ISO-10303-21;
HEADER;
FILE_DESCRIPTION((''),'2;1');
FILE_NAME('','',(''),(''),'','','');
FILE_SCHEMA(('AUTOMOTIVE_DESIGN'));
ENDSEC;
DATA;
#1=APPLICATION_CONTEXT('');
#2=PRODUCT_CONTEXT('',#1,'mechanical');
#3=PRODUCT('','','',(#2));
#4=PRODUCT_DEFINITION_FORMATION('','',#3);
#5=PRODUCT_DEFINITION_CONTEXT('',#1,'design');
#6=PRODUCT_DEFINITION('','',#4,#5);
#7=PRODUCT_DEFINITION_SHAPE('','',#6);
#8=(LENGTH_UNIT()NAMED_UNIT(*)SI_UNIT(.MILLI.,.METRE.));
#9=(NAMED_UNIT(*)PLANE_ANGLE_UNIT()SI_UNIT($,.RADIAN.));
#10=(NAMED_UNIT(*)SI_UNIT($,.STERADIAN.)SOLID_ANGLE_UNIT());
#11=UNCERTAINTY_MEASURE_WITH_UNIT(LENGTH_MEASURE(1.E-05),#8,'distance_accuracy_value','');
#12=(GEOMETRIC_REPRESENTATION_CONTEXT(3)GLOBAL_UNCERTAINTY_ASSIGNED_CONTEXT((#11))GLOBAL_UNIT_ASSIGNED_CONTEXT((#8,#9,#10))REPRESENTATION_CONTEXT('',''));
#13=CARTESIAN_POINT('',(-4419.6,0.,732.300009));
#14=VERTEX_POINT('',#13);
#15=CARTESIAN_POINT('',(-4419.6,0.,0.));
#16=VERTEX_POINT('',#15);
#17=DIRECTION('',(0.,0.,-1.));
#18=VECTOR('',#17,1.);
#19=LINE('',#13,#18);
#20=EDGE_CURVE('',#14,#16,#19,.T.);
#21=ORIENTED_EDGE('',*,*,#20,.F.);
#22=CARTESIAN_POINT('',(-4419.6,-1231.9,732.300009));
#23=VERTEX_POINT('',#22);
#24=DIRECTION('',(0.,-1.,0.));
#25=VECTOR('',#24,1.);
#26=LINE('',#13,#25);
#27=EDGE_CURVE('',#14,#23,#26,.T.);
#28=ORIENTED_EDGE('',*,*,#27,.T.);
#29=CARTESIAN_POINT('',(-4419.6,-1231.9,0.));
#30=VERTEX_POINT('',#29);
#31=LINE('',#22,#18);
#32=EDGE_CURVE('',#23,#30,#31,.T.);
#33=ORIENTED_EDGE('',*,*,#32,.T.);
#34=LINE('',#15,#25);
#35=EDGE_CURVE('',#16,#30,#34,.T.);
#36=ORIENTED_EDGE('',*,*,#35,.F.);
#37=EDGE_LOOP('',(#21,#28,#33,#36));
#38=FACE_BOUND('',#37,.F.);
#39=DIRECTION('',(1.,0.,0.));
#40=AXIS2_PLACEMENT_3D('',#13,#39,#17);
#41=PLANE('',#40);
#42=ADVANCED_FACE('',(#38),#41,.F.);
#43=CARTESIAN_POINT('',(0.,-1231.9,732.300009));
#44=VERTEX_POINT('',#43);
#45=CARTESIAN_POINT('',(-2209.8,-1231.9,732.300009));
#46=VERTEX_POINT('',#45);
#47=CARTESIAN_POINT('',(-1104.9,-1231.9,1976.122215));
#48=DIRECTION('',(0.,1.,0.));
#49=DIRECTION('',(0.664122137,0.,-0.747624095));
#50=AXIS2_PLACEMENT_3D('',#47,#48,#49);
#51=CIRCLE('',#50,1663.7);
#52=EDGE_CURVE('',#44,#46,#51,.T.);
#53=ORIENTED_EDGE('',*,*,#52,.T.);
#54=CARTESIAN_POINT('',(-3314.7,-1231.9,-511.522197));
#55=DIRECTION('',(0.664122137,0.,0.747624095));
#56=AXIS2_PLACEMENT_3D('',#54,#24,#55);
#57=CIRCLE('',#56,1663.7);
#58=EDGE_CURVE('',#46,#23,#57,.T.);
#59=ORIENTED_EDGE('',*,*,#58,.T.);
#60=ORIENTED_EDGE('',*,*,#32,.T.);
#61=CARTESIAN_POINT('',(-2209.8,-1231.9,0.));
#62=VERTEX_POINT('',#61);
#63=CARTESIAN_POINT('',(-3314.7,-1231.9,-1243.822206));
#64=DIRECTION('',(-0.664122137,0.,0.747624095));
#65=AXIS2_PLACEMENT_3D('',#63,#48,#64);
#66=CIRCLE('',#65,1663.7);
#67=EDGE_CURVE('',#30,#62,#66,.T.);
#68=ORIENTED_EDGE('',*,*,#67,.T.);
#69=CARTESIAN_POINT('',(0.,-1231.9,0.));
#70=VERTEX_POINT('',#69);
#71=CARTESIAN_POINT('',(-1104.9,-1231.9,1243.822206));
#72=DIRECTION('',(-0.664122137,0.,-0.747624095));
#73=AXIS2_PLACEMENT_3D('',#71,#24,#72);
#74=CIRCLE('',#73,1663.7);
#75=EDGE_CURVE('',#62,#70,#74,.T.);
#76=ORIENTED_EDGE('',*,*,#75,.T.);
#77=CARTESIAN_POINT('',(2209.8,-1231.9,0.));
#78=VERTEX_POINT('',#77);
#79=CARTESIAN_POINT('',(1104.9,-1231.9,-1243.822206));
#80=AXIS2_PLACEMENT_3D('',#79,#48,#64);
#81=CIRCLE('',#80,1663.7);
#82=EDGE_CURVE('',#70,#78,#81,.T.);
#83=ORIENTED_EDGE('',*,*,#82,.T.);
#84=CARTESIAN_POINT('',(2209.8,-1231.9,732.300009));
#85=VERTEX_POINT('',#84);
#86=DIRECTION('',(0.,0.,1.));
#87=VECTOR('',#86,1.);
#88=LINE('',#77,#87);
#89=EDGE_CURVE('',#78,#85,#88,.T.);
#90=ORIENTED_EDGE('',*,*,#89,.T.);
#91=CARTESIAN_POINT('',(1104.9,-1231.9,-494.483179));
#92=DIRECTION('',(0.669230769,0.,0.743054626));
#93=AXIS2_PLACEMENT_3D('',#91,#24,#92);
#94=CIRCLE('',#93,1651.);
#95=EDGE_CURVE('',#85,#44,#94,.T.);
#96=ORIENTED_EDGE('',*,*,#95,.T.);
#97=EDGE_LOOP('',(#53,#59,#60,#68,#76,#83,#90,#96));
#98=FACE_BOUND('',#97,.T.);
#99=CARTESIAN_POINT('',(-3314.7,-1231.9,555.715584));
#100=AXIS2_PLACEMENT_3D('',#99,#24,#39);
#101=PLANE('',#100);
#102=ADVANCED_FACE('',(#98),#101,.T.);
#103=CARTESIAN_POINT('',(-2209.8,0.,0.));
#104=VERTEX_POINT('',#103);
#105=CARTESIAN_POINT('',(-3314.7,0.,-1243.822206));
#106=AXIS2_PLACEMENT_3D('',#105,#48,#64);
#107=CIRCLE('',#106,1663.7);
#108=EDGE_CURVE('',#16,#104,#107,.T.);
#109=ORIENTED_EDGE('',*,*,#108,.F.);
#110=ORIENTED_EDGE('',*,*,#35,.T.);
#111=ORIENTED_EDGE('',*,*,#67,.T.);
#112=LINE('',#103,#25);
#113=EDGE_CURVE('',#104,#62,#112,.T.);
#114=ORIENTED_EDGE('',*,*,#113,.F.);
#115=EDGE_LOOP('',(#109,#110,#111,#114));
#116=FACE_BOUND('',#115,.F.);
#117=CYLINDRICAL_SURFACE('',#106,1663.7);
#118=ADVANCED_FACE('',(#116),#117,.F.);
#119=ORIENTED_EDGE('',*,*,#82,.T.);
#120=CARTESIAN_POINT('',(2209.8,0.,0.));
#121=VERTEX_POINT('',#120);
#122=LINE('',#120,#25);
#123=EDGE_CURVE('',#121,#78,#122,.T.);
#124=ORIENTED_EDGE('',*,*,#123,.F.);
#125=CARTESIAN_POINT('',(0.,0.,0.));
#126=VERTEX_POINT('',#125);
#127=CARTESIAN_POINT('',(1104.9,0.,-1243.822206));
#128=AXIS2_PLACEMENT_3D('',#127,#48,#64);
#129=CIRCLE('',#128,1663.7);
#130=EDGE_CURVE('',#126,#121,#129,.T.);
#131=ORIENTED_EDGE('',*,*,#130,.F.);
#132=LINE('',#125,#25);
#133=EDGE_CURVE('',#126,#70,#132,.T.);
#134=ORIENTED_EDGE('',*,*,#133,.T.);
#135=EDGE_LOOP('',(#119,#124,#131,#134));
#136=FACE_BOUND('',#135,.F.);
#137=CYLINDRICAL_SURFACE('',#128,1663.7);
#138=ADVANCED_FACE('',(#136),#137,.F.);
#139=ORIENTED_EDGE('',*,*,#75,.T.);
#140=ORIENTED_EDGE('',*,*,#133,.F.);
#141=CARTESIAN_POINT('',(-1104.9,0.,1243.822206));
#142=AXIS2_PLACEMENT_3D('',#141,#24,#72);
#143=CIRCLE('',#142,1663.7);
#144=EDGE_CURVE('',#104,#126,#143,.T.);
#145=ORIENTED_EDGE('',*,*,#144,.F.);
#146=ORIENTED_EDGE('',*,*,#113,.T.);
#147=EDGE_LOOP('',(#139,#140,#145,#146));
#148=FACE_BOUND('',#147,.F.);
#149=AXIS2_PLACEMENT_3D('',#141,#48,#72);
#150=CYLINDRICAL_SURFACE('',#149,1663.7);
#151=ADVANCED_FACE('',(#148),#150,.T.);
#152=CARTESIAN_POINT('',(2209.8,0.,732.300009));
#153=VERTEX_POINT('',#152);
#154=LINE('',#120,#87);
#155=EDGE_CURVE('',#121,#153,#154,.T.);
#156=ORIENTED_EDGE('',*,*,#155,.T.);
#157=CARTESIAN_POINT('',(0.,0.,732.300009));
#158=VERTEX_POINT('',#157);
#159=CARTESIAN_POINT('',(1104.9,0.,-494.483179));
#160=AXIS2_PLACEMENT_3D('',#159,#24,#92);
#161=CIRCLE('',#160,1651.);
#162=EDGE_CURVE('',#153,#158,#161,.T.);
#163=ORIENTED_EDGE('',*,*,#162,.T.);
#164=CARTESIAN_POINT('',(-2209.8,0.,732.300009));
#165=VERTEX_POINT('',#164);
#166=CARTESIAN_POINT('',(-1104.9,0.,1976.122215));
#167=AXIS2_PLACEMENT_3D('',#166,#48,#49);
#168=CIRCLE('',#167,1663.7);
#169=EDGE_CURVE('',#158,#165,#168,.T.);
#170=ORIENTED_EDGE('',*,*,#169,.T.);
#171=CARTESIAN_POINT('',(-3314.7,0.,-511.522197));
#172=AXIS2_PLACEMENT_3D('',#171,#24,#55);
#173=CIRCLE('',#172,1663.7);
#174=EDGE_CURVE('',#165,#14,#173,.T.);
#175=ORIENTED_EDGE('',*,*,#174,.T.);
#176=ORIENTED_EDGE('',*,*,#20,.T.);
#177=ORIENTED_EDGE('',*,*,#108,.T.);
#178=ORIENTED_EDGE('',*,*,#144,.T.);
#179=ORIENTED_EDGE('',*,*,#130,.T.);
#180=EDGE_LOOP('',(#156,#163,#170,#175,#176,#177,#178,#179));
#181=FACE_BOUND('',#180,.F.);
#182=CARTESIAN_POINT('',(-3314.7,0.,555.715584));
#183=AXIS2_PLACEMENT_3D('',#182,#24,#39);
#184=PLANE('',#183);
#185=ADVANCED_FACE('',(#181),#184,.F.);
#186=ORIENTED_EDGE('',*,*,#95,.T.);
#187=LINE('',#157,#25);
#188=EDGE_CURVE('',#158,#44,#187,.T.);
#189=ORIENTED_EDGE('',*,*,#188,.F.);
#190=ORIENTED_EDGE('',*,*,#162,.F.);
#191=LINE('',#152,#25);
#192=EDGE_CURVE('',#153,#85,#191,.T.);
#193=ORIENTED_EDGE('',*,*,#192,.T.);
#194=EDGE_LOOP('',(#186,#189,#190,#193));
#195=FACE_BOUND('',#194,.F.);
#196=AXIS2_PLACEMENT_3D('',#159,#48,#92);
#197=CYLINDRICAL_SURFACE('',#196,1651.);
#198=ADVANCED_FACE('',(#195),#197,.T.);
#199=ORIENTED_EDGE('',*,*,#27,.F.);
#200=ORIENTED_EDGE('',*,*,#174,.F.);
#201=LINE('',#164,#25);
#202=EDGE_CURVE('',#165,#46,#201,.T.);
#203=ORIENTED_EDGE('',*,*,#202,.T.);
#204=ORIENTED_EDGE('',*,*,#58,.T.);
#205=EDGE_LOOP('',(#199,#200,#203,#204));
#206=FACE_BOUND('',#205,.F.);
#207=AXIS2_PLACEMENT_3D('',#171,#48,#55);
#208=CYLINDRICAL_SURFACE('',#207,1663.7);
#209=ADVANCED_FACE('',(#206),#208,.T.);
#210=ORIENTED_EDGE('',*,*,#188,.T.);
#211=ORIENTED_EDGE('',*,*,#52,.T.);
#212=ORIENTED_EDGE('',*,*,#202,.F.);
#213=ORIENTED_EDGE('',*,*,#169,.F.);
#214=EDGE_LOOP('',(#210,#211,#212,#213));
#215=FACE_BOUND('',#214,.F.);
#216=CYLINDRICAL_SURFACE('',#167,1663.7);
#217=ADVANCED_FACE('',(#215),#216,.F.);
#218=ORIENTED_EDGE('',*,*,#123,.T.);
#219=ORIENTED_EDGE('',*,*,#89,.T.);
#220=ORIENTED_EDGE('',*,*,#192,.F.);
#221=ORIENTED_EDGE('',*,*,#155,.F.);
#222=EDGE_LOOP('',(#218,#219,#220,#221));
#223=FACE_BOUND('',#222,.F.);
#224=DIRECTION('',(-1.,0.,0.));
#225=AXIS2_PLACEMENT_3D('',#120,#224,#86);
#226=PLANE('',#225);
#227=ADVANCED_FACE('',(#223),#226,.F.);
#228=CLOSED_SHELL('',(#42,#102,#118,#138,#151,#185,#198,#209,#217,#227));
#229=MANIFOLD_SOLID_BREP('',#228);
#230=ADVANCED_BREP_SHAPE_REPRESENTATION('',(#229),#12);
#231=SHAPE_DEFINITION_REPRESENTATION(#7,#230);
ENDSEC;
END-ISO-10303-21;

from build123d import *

# Parameters (mm, degrees)
F1_DEPTH = 1231.9


with BuildPart() as f1:
    # F0 (on Front) → F1 (new body)
    with BuildSketch(Plane.XZ):
        with BuildLine():
            ThreePointArc((-4419.6, 0), (-3314.7, 419.877794), (-2209.8, 0))
            Line((-2209.8, 0), (-2209.8, 732.300009))
            ThreePointArc((-2209.8, 732.300009), (-3314.7, 1152.177803), (-4419.6, 732.300009))
            Line((-4419.6, 732.300009), (-4419.6, 0))
        make_face()
        with BuildLine():
            Line((-2209.8, 0), (0, 0))
            Line((0, 0), (0, 732.300009))
            ThreePointArc((0, 732.300009), (-1104.9, 312.422215), (-2209.8, 732.300009))
            Line((-2209.8, 732.300009), (-2209.8, 0))
        make_face()
        with BuildLine():
            ThreePointArc((-2209.8, 0), (-1104.9, -419.877794), (0, 0))
            Line((0, 0), (-2209.8, 0))
        make_face()
        with BuildLine():
            Line((0, 732.300009), (0, 0))
            ThreePointArc((0, 0), (1104.9, 419.877794), (2209.8, 0))
            Line((2209.8, 0), (2209.8, 732.300009))
            ThreePointArc((2209.8, 732.300009), (1104.9, 1156.516821), (0, 732.300009))
        make_face()
    extrude(amount=F1_DEPTH)


solid = f1.part
